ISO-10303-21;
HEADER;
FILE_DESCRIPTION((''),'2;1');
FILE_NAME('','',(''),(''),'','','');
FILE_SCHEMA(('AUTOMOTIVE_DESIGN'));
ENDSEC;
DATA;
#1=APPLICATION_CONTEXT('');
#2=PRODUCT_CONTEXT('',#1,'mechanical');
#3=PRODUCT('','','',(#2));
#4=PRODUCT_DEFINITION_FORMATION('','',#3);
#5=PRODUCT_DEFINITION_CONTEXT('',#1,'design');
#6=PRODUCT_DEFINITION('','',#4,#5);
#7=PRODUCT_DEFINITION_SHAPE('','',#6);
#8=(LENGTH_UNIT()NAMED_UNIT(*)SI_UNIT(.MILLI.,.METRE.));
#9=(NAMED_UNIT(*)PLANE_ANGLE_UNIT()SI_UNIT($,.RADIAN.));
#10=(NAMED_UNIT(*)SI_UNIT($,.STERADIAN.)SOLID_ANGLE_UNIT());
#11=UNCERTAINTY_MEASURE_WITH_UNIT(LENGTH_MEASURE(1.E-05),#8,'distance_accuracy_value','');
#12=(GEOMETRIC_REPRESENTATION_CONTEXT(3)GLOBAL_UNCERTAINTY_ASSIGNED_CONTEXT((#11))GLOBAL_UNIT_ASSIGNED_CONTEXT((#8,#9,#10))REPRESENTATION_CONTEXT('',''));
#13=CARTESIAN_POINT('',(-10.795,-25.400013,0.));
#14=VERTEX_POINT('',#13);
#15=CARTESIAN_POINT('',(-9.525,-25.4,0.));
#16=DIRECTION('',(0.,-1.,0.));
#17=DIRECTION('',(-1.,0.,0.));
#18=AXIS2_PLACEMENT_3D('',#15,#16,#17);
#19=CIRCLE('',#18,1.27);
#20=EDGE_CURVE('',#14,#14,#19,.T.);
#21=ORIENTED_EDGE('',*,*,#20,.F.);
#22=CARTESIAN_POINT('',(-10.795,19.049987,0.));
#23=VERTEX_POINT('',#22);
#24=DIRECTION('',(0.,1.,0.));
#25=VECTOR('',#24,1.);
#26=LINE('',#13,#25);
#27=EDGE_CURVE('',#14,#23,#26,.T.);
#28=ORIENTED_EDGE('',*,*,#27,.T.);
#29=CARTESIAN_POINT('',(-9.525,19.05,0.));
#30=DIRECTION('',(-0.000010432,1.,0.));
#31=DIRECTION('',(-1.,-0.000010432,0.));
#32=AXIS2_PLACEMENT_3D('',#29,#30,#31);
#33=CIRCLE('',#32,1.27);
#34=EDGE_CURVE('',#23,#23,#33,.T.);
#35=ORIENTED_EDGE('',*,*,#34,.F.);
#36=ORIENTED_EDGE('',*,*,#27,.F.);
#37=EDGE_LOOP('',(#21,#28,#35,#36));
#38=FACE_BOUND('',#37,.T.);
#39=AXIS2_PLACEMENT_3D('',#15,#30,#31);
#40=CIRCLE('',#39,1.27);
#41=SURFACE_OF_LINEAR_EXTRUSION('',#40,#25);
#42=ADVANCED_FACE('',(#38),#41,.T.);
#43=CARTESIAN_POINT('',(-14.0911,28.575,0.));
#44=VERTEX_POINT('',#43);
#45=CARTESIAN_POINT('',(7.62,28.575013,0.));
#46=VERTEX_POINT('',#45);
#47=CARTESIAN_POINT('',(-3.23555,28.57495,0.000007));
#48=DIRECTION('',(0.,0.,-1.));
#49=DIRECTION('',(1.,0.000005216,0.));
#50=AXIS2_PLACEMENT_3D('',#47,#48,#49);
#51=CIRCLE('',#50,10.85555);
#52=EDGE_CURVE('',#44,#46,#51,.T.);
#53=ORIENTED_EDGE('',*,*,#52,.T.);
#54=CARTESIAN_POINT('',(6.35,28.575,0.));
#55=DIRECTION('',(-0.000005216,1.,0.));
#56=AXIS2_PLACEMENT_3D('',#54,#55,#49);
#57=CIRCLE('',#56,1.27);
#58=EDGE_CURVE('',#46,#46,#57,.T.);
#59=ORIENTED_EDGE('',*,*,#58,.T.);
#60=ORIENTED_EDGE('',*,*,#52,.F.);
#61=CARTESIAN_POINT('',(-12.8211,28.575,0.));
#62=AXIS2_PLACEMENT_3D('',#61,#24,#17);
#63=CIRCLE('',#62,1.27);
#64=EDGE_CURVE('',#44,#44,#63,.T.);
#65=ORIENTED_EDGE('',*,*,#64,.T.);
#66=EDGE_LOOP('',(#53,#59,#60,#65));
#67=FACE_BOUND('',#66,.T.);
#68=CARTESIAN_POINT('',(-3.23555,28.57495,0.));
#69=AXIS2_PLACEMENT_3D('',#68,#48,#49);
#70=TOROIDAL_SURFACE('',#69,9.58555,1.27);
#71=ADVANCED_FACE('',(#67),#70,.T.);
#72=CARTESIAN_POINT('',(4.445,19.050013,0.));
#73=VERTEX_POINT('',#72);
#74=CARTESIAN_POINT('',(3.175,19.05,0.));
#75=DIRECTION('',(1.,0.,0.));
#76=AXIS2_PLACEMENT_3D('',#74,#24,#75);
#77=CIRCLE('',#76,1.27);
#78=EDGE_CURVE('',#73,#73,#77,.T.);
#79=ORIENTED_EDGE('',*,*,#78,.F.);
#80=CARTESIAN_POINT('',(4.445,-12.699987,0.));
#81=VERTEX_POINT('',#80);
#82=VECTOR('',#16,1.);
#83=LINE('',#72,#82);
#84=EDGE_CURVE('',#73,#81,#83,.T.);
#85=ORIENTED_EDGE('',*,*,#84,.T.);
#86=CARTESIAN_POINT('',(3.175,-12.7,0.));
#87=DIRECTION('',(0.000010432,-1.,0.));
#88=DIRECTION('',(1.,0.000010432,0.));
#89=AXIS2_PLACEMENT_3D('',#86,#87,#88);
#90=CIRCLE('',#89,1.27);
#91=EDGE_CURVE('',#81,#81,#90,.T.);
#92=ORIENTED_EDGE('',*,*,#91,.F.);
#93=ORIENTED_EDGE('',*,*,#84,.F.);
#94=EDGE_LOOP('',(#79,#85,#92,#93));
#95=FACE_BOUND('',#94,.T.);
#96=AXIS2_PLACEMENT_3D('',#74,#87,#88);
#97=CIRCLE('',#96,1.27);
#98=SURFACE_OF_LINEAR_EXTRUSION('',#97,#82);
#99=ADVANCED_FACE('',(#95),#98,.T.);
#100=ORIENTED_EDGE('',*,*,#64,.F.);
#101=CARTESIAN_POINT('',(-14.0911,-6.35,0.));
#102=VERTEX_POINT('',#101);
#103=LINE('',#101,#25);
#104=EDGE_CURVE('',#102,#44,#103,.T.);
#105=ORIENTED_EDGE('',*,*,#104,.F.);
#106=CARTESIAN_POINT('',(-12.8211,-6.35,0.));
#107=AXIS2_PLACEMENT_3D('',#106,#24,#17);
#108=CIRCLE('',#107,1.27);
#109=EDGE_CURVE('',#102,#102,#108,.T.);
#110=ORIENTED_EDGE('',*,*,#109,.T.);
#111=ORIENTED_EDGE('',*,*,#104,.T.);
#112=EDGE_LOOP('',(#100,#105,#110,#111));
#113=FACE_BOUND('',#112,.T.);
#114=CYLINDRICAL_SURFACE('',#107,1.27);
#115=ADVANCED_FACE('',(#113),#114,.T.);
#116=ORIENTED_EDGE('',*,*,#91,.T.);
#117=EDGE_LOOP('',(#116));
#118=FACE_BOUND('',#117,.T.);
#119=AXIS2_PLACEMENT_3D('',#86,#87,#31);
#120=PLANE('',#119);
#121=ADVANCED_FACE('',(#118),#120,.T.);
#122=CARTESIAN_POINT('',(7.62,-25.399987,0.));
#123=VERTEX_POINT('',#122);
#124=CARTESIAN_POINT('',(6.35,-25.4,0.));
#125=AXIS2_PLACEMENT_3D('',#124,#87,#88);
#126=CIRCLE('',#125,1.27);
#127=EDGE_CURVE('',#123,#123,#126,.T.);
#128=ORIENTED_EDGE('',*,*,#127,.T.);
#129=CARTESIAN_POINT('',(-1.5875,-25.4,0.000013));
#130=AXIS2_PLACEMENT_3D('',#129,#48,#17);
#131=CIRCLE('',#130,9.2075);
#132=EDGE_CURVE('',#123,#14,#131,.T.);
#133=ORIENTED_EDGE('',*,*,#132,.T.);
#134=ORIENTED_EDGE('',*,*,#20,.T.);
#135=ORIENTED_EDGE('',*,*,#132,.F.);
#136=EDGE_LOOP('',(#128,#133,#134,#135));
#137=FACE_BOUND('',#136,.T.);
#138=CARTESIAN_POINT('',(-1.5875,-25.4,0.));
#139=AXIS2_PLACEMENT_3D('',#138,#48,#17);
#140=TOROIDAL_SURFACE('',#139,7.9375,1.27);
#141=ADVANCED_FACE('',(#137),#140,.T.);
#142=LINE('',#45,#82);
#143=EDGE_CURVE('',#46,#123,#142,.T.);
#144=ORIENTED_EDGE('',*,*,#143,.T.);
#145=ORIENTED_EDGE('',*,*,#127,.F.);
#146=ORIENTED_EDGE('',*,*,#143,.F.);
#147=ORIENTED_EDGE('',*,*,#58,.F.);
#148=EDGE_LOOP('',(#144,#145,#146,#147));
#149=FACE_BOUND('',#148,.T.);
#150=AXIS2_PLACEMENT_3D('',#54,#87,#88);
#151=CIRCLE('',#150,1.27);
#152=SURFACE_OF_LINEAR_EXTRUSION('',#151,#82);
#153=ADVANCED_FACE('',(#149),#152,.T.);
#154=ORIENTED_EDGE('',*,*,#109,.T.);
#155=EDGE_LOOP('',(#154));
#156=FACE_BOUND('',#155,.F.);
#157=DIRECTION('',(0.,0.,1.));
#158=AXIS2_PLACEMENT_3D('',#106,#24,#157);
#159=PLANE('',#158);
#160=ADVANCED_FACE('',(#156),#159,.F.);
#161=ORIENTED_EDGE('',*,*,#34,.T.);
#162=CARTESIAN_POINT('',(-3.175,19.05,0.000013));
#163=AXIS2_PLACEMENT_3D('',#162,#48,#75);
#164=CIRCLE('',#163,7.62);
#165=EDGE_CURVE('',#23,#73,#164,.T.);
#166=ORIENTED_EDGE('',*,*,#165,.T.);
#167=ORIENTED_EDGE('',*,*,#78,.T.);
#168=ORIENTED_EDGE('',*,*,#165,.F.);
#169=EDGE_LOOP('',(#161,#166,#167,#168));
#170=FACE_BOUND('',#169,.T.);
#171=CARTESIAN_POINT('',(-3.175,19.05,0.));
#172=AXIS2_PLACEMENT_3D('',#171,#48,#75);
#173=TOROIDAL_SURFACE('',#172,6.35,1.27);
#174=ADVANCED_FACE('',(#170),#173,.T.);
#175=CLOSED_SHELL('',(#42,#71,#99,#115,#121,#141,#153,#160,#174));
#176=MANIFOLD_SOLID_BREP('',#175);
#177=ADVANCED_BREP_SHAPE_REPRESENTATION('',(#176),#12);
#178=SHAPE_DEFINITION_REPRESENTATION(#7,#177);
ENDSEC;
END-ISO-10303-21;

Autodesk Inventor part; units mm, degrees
ref_plane "YZ Plane" through (0, 0, 0) normal (1, 0, 0) x (0, 1, 0)
ref_plane "XZ Plane" through (0, 0, 0) normal (0, 1, 0) x (-1, 0, 0)
sketch "Sketch1" plane through (0, 0, 0) normal (0, 0, 1) x (1, 0, 0)
  line L0 (-12.8211, -6.35) -> (-12.8211, 28.575)
  arc A0 (6.35, 28.575) -> (-12.8211, 28.575) centre (-3.2355, 28.575) ccw
  line L1 (6.35, 28.575) -> (6.35, -25.4)
  arc A1 (-9.525, -25.4) -> (6.35, -25.4) centre (-1.5875, -25.4) ccw
  line L2 (-9.525, -25.4) -> (-9.525, 19.05)
  arc A2 (3.175, 19.05) -> (-9.525, 19.05) centre (-3.175, 19.05) ccw
  line L3 (3.175, 19.05) -> (3.175, -12.7)
ref_plane "Work Plane1" through (-12.8211, -6.35, 0) normal (0, 1, 0) x (-1, 0, 0)
sketch "Sketch2" plane through (-12.8211, -6.35, 0) normal (0, 1, 0) x (-1, 0, 0)
  circle A0 centre (0, 0) radius 1.27
sweep "Sweep1" add profiles "Sketch2" path "Sketch1"
properties part number "Paper Clip"
